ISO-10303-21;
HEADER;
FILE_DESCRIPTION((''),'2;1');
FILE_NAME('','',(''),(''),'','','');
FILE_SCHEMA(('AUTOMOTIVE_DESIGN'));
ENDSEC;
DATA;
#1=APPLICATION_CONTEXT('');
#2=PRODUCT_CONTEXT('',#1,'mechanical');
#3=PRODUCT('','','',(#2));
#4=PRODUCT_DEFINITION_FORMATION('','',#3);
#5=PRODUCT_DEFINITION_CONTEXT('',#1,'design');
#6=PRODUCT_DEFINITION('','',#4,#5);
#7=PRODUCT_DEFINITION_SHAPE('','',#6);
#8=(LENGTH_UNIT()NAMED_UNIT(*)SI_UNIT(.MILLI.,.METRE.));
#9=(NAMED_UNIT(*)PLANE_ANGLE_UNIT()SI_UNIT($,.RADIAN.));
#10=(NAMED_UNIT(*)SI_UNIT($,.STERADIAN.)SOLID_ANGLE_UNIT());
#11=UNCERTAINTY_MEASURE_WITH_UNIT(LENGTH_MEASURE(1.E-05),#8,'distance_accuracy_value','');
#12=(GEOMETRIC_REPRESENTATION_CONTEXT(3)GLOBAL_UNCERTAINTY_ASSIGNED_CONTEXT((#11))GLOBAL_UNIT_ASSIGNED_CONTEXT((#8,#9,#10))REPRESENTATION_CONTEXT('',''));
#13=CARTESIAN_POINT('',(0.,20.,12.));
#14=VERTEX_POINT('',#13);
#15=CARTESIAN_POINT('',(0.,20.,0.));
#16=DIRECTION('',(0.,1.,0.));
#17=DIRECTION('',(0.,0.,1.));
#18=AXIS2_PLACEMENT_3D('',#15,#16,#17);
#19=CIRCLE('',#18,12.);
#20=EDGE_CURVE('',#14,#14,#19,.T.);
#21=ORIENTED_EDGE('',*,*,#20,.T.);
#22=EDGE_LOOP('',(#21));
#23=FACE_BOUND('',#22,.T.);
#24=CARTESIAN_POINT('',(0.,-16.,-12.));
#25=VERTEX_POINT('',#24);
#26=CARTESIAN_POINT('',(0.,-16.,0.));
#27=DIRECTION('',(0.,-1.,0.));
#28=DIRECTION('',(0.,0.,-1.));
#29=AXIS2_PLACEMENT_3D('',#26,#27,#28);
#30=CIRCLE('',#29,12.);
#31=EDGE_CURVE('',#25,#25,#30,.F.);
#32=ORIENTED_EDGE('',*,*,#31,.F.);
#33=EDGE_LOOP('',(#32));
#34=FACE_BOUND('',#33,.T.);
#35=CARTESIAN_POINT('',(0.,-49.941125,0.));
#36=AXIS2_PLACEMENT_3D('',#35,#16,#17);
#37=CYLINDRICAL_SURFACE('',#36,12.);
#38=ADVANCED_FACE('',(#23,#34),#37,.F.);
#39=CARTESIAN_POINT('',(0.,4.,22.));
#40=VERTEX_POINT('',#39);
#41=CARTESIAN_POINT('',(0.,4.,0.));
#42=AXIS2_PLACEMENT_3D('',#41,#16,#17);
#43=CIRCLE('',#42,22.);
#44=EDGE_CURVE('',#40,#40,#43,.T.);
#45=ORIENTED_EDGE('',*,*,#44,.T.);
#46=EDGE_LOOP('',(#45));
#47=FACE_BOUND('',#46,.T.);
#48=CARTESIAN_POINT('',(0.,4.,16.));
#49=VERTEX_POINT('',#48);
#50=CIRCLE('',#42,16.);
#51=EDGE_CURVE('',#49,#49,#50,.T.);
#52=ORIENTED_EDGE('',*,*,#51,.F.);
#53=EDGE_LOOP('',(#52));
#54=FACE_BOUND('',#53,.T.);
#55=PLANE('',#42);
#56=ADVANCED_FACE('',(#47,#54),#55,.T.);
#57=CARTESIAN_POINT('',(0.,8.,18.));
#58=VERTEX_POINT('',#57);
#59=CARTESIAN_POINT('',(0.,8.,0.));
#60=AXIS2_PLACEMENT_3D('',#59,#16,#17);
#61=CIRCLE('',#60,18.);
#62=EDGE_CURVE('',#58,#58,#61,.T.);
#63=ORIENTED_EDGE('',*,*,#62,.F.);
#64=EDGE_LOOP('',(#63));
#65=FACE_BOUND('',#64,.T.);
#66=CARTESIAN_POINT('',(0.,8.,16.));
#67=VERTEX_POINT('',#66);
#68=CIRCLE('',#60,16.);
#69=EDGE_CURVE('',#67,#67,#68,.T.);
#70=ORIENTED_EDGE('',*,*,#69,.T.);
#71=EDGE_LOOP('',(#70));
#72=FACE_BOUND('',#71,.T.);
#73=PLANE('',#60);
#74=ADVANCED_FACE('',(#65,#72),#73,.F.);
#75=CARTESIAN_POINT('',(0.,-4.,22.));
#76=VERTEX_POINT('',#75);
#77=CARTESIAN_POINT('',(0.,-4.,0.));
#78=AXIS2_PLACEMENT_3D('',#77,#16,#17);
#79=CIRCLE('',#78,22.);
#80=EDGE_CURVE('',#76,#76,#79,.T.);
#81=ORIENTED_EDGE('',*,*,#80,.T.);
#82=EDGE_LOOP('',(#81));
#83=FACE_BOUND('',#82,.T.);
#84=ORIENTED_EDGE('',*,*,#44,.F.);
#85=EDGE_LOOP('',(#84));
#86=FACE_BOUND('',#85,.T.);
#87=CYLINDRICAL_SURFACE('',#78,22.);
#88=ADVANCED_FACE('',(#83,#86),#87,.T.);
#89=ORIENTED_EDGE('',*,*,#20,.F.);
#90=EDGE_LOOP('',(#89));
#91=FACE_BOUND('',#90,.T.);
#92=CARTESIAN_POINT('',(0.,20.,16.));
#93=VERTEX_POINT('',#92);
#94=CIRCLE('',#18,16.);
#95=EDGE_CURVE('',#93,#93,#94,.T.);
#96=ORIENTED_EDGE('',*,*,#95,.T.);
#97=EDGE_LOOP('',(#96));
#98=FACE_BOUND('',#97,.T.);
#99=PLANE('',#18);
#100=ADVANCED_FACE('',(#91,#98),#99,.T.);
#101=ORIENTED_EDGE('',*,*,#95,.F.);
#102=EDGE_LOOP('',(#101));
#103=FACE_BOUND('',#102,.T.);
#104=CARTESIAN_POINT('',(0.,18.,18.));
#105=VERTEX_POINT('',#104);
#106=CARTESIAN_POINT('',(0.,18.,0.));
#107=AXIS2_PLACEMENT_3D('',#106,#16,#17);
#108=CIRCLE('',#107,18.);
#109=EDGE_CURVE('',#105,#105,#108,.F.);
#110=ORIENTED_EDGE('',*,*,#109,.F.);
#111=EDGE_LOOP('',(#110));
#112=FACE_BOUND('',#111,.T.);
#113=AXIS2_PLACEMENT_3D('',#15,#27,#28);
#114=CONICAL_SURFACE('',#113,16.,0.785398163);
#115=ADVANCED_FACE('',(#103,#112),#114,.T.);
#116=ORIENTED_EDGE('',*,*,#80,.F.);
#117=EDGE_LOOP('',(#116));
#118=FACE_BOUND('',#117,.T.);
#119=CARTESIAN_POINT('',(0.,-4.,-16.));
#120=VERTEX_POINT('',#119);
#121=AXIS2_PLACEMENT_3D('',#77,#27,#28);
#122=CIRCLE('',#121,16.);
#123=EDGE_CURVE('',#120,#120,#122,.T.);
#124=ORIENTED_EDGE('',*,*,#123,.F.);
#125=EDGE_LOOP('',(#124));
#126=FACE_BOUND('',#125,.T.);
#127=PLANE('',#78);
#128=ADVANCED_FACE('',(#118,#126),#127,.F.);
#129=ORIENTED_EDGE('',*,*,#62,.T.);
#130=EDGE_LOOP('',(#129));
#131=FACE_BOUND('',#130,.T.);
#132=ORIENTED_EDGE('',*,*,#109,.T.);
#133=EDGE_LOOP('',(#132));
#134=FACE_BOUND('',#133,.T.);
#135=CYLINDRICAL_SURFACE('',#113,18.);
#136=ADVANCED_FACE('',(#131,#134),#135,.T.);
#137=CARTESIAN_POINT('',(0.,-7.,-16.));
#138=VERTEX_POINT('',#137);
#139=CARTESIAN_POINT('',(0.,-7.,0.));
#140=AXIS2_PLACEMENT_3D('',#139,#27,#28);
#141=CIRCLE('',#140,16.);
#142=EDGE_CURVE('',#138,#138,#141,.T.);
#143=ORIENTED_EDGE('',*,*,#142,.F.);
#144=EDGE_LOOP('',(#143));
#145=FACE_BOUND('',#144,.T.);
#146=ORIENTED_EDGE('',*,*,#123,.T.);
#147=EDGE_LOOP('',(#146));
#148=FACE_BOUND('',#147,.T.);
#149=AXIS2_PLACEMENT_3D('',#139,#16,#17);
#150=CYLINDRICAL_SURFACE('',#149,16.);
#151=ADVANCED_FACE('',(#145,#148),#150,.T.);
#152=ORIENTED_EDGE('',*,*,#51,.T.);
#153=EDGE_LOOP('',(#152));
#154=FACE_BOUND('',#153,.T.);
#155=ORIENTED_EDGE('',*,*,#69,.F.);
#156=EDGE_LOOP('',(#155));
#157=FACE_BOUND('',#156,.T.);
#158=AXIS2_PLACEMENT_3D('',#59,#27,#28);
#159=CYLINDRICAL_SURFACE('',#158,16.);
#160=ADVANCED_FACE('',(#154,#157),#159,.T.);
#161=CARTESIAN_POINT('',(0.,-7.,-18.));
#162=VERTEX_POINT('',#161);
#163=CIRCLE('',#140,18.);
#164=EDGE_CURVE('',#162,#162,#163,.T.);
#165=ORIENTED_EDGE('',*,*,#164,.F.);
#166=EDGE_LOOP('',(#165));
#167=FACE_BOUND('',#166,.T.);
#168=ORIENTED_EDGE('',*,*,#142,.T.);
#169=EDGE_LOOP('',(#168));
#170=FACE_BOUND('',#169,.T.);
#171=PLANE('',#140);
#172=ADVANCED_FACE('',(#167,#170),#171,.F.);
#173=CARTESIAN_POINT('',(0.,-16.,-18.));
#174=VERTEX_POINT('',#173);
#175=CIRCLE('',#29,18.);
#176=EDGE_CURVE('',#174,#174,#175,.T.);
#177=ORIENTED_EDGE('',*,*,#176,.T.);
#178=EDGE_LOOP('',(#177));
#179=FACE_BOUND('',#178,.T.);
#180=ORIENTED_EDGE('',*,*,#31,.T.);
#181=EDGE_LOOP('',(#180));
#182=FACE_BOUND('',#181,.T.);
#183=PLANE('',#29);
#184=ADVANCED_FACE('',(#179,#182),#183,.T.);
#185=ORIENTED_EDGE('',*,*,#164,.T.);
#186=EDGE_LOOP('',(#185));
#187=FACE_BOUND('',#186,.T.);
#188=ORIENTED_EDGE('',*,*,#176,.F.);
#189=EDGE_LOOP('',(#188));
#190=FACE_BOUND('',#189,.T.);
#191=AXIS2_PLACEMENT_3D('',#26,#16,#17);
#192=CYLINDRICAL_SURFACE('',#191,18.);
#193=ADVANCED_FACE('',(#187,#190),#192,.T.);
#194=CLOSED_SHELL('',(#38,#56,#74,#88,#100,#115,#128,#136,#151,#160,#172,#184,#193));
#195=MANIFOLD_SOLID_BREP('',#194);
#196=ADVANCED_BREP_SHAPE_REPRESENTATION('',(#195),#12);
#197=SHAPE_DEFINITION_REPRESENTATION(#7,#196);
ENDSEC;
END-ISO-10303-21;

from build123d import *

# Parameters (mm, degrees)
BOSS_EXTRUDE1_DEPTH      = 4
BOSS_EXTRUDE1_DEPTH_BACK = 4
SKETCH1_R                = 22
SKETCH2_R                = 16
BOSS_EXTRUDE2_DEPTH      = 4
SKETCH3_R                = 18
BOSS_EXTRUDE3_DEPTH      = 12
BOSS_EXTRUDE4_START      = 3
SKETCH4_R                = 16
BOSS_EXTRUDE4_DEPTH      = 3
BOSS_EXTRUDE5_START      = 9
SKETCH5_R                = 18
BOSS_EXTRUDE5_DEPTH      = 9
CHAMFER1_SIZE            = 2
SKETCH6_R                = 12
CUT_EXTRUDE1_DEPTH       = 36


with BuildPart() as part:
    # Sketch1 → Boss-Extrude1 (new, two sides: drawn at the far end of the back side and taken through both)
    with BuildSketch(Plane(origin=(0, 0, 0), x_dir=(1, 0, 0), z_dir=(0, 1, 0)).offset(-BOSS_EXTRUDE1_DEPTH_BACK)):
        with Locations(Location((0, 0, 0), (0, 0, 270))):
            Circle(SKETCH1_R)
    extrude(amount=BOSS_EXTRUDE1_DEPTH + BOSS_EXTRUDE1_DEPTH_BACK)

    # Sketch2 → Boss-Extrude2 (add)
    with BuildSketch(Plane(origin=(0, 4, 0), x_dir=(1, 0, 0), z_dir=(0, 1, 0))):
        with Locations(Location((0, 0, 0), (0, 0, 270))):
            Circle(SKETCH2_R)
    extrude(amount=BOSS_EXTRUDE2_DEPTH)

    # Sketch3 → Boss-Extrude3 (add)
    with BuildSketch(Plane(origin=(0, 8, 0), x_dir=(1, 0, 0), z_dir=(0, 1, 0))):
        with Locations(Location((0, 0, 0), (0, 0, 270))):
            Circle(SKETCH3_R)
    extrude(amount=BOSS_EXTRUDE3_DEPTH)

    # Sketch4 → Boss-Extrude4 (add)
    with BuildSketch(Plane.XZ.offset(4).offset(BOSS_EXTRUDE4_START)):
        with Locations(Location((0, 0, 0), (0, 0, 90))):
            Circle(SKETCH4_R)
    extrude(amount=-BOSS_EXTRUDE4_DEPTH)

    # Sketch5 → Boss-Extrude5 (add)
    with BuildSketch(Plane.XZ.offset(7).offset(BOSS_EXTRUDE5_START)):
        with Locations(Location((0, 0, 0), (0, 0, 90))):
            Circle(SKETCH5_R)
    extrude(amount=-BOSS_EXTRUDE5_DEPTH)

    # Chamfer1
    chamfer1_edges = [part.edges().sort_by_distance(p)[0] for p in [
        (0, 20, -18),
    ]]
    chamfer(chamfer1_edges, length=CHAMFER1_SIZE)

    # Sketch6 → Cut-Extrude1 (cut)
    with BuildSketch(Plane(origin=(0, 20, 0), x_dir=(1, 0, 0), z_dir=(0, 1, 0))):
        with Locations(Location((0, 0, 0), (0, 0, 270))):
            Circle(SKETCH6_R)
    extrude(amount=-CUT_EXTRUDE1_DEPTH, mode=Mode.SUBTRACT)


solid = part.part
